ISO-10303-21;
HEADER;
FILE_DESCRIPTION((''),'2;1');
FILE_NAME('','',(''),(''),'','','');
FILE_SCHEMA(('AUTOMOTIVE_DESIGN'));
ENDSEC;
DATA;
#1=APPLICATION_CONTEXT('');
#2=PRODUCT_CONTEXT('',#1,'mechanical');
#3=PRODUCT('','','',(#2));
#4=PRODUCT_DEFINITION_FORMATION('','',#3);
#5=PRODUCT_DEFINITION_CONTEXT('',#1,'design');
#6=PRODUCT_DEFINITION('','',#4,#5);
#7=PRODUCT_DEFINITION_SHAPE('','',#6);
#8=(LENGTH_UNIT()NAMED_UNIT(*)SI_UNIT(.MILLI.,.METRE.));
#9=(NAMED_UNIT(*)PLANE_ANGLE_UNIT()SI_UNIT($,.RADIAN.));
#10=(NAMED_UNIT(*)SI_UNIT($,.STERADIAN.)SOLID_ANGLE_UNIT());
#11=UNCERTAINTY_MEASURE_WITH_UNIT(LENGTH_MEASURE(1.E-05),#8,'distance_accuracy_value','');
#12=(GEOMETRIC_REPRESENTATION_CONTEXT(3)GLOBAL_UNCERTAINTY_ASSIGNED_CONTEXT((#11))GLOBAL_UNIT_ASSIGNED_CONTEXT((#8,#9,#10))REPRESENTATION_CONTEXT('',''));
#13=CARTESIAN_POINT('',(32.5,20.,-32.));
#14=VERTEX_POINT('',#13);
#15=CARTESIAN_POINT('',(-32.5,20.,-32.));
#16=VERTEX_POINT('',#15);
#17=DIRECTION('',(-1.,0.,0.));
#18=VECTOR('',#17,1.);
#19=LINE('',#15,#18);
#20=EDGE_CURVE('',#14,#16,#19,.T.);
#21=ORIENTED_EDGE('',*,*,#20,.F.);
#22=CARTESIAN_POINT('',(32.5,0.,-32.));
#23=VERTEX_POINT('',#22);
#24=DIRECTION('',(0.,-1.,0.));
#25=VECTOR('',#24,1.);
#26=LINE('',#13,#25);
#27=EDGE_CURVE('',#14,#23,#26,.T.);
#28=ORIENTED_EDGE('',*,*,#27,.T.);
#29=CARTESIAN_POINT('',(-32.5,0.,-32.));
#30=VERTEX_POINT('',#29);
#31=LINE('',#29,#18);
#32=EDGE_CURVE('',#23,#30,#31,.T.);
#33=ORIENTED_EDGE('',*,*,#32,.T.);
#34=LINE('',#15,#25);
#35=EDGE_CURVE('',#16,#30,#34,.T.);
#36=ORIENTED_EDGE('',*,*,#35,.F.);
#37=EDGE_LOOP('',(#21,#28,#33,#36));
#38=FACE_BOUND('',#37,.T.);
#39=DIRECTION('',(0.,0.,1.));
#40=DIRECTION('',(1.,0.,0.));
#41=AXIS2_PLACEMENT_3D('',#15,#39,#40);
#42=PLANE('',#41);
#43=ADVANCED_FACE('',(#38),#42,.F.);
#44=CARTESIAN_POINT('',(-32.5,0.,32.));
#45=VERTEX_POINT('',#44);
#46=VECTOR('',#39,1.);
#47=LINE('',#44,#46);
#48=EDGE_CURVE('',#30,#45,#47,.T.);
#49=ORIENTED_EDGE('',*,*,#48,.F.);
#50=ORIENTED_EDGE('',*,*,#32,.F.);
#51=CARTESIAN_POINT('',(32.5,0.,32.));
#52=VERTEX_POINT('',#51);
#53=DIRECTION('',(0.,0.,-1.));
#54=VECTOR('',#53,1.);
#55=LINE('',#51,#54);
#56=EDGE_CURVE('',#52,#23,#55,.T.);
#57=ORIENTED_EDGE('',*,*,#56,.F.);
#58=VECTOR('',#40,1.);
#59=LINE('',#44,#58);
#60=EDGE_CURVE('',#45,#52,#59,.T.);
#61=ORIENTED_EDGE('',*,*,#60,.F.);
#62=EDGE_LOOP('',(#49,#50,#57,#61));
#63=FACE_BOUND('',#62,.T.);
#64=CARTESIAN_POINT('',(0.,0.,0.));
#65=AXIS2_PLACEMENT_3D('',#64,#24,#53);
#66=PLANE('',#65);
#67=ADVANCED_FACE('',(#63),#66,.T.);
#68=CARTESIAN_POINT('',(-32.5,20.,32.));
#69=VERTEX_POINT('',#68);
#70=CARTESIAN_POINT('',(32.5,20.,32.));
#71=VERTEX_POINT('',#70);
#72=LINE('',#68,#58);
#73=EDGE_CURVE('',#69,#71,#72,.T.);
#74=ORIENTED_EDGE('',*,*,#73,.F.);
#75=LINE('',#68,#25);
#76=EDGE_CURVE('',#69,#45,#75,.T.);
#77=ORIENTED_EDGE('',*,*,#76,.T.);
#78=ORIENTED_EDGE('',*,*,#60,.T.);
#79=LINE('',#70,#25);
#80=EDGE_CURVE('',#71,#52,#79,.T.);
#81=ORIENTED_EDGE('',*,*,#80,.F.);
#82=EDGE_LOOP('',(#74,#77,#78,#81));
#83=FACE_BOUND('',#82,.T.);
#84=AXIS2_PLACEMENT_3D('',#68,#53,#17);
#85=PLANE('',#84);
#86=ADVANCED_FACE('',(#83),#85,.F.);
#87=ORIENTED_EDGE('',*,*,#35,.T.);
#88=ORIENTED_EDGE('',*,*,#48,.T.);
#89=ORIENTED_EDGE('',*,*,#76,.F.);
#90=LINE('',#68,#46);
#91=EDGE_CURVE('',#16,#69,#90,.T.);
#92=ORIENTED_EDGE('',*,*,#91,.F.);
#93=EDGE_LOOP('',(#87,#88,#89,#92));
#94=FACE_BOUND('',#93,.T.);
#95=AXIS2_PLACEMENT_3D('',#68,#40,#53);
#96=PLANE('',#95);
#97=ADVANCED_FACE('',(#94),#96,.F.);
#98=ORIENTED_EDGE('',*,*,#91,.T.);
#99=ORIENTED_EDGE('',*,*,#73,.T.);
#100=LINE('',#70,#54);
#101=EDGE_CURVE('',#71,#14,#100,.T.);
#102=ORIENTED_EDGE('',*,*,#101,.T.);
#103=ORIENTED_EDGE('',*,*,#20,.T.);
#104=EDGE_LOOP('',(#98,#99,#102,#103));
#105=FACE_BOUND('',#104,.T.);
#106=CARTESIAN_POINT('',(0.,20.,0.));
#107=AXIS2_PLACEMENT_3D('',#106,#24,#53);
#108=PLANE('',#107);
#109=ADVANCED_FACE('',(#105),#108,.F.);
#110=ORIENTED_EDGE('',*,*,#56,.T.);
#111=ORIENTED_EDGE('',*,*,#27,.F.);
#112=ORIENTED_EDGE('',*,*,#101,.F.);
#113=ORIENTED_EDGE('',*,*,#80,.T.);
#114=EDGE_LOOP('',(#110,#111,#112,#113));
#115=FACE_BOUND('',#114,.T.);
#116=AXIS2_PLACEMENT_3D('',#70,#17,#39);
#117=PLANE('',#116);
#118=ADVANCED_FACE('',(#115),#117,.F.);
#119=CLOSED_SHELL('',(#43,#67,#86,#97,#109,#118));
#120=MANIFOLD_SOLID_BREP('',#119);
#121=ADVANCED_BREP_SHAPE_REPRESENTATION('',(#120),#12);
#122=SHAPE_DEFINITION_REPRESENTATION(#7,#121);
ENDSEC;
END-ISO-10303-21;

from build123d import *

# Parameters (mm, degrees)
IZIM1_W                     = 65
IZIM1_H                     = 64
Y_KSEKLIK_EKSTR_ZYON1_DEPTH = 20


with BuildPart() as part:
    # Çizim1 → Yükseklik-Ekstrüzyon1 (new body)
    with BuildSketch(Plane(origin=(0, 0, 0), x_dir=(1, 0, 0), z_dir=(0, 1, 0))):
        Rectangle(IZIM1_W, IZIM1_H)
    extrude(amount=Y_KSEKLIK_EKSTR_ZYON1_DEPTH)


solid = part.part
